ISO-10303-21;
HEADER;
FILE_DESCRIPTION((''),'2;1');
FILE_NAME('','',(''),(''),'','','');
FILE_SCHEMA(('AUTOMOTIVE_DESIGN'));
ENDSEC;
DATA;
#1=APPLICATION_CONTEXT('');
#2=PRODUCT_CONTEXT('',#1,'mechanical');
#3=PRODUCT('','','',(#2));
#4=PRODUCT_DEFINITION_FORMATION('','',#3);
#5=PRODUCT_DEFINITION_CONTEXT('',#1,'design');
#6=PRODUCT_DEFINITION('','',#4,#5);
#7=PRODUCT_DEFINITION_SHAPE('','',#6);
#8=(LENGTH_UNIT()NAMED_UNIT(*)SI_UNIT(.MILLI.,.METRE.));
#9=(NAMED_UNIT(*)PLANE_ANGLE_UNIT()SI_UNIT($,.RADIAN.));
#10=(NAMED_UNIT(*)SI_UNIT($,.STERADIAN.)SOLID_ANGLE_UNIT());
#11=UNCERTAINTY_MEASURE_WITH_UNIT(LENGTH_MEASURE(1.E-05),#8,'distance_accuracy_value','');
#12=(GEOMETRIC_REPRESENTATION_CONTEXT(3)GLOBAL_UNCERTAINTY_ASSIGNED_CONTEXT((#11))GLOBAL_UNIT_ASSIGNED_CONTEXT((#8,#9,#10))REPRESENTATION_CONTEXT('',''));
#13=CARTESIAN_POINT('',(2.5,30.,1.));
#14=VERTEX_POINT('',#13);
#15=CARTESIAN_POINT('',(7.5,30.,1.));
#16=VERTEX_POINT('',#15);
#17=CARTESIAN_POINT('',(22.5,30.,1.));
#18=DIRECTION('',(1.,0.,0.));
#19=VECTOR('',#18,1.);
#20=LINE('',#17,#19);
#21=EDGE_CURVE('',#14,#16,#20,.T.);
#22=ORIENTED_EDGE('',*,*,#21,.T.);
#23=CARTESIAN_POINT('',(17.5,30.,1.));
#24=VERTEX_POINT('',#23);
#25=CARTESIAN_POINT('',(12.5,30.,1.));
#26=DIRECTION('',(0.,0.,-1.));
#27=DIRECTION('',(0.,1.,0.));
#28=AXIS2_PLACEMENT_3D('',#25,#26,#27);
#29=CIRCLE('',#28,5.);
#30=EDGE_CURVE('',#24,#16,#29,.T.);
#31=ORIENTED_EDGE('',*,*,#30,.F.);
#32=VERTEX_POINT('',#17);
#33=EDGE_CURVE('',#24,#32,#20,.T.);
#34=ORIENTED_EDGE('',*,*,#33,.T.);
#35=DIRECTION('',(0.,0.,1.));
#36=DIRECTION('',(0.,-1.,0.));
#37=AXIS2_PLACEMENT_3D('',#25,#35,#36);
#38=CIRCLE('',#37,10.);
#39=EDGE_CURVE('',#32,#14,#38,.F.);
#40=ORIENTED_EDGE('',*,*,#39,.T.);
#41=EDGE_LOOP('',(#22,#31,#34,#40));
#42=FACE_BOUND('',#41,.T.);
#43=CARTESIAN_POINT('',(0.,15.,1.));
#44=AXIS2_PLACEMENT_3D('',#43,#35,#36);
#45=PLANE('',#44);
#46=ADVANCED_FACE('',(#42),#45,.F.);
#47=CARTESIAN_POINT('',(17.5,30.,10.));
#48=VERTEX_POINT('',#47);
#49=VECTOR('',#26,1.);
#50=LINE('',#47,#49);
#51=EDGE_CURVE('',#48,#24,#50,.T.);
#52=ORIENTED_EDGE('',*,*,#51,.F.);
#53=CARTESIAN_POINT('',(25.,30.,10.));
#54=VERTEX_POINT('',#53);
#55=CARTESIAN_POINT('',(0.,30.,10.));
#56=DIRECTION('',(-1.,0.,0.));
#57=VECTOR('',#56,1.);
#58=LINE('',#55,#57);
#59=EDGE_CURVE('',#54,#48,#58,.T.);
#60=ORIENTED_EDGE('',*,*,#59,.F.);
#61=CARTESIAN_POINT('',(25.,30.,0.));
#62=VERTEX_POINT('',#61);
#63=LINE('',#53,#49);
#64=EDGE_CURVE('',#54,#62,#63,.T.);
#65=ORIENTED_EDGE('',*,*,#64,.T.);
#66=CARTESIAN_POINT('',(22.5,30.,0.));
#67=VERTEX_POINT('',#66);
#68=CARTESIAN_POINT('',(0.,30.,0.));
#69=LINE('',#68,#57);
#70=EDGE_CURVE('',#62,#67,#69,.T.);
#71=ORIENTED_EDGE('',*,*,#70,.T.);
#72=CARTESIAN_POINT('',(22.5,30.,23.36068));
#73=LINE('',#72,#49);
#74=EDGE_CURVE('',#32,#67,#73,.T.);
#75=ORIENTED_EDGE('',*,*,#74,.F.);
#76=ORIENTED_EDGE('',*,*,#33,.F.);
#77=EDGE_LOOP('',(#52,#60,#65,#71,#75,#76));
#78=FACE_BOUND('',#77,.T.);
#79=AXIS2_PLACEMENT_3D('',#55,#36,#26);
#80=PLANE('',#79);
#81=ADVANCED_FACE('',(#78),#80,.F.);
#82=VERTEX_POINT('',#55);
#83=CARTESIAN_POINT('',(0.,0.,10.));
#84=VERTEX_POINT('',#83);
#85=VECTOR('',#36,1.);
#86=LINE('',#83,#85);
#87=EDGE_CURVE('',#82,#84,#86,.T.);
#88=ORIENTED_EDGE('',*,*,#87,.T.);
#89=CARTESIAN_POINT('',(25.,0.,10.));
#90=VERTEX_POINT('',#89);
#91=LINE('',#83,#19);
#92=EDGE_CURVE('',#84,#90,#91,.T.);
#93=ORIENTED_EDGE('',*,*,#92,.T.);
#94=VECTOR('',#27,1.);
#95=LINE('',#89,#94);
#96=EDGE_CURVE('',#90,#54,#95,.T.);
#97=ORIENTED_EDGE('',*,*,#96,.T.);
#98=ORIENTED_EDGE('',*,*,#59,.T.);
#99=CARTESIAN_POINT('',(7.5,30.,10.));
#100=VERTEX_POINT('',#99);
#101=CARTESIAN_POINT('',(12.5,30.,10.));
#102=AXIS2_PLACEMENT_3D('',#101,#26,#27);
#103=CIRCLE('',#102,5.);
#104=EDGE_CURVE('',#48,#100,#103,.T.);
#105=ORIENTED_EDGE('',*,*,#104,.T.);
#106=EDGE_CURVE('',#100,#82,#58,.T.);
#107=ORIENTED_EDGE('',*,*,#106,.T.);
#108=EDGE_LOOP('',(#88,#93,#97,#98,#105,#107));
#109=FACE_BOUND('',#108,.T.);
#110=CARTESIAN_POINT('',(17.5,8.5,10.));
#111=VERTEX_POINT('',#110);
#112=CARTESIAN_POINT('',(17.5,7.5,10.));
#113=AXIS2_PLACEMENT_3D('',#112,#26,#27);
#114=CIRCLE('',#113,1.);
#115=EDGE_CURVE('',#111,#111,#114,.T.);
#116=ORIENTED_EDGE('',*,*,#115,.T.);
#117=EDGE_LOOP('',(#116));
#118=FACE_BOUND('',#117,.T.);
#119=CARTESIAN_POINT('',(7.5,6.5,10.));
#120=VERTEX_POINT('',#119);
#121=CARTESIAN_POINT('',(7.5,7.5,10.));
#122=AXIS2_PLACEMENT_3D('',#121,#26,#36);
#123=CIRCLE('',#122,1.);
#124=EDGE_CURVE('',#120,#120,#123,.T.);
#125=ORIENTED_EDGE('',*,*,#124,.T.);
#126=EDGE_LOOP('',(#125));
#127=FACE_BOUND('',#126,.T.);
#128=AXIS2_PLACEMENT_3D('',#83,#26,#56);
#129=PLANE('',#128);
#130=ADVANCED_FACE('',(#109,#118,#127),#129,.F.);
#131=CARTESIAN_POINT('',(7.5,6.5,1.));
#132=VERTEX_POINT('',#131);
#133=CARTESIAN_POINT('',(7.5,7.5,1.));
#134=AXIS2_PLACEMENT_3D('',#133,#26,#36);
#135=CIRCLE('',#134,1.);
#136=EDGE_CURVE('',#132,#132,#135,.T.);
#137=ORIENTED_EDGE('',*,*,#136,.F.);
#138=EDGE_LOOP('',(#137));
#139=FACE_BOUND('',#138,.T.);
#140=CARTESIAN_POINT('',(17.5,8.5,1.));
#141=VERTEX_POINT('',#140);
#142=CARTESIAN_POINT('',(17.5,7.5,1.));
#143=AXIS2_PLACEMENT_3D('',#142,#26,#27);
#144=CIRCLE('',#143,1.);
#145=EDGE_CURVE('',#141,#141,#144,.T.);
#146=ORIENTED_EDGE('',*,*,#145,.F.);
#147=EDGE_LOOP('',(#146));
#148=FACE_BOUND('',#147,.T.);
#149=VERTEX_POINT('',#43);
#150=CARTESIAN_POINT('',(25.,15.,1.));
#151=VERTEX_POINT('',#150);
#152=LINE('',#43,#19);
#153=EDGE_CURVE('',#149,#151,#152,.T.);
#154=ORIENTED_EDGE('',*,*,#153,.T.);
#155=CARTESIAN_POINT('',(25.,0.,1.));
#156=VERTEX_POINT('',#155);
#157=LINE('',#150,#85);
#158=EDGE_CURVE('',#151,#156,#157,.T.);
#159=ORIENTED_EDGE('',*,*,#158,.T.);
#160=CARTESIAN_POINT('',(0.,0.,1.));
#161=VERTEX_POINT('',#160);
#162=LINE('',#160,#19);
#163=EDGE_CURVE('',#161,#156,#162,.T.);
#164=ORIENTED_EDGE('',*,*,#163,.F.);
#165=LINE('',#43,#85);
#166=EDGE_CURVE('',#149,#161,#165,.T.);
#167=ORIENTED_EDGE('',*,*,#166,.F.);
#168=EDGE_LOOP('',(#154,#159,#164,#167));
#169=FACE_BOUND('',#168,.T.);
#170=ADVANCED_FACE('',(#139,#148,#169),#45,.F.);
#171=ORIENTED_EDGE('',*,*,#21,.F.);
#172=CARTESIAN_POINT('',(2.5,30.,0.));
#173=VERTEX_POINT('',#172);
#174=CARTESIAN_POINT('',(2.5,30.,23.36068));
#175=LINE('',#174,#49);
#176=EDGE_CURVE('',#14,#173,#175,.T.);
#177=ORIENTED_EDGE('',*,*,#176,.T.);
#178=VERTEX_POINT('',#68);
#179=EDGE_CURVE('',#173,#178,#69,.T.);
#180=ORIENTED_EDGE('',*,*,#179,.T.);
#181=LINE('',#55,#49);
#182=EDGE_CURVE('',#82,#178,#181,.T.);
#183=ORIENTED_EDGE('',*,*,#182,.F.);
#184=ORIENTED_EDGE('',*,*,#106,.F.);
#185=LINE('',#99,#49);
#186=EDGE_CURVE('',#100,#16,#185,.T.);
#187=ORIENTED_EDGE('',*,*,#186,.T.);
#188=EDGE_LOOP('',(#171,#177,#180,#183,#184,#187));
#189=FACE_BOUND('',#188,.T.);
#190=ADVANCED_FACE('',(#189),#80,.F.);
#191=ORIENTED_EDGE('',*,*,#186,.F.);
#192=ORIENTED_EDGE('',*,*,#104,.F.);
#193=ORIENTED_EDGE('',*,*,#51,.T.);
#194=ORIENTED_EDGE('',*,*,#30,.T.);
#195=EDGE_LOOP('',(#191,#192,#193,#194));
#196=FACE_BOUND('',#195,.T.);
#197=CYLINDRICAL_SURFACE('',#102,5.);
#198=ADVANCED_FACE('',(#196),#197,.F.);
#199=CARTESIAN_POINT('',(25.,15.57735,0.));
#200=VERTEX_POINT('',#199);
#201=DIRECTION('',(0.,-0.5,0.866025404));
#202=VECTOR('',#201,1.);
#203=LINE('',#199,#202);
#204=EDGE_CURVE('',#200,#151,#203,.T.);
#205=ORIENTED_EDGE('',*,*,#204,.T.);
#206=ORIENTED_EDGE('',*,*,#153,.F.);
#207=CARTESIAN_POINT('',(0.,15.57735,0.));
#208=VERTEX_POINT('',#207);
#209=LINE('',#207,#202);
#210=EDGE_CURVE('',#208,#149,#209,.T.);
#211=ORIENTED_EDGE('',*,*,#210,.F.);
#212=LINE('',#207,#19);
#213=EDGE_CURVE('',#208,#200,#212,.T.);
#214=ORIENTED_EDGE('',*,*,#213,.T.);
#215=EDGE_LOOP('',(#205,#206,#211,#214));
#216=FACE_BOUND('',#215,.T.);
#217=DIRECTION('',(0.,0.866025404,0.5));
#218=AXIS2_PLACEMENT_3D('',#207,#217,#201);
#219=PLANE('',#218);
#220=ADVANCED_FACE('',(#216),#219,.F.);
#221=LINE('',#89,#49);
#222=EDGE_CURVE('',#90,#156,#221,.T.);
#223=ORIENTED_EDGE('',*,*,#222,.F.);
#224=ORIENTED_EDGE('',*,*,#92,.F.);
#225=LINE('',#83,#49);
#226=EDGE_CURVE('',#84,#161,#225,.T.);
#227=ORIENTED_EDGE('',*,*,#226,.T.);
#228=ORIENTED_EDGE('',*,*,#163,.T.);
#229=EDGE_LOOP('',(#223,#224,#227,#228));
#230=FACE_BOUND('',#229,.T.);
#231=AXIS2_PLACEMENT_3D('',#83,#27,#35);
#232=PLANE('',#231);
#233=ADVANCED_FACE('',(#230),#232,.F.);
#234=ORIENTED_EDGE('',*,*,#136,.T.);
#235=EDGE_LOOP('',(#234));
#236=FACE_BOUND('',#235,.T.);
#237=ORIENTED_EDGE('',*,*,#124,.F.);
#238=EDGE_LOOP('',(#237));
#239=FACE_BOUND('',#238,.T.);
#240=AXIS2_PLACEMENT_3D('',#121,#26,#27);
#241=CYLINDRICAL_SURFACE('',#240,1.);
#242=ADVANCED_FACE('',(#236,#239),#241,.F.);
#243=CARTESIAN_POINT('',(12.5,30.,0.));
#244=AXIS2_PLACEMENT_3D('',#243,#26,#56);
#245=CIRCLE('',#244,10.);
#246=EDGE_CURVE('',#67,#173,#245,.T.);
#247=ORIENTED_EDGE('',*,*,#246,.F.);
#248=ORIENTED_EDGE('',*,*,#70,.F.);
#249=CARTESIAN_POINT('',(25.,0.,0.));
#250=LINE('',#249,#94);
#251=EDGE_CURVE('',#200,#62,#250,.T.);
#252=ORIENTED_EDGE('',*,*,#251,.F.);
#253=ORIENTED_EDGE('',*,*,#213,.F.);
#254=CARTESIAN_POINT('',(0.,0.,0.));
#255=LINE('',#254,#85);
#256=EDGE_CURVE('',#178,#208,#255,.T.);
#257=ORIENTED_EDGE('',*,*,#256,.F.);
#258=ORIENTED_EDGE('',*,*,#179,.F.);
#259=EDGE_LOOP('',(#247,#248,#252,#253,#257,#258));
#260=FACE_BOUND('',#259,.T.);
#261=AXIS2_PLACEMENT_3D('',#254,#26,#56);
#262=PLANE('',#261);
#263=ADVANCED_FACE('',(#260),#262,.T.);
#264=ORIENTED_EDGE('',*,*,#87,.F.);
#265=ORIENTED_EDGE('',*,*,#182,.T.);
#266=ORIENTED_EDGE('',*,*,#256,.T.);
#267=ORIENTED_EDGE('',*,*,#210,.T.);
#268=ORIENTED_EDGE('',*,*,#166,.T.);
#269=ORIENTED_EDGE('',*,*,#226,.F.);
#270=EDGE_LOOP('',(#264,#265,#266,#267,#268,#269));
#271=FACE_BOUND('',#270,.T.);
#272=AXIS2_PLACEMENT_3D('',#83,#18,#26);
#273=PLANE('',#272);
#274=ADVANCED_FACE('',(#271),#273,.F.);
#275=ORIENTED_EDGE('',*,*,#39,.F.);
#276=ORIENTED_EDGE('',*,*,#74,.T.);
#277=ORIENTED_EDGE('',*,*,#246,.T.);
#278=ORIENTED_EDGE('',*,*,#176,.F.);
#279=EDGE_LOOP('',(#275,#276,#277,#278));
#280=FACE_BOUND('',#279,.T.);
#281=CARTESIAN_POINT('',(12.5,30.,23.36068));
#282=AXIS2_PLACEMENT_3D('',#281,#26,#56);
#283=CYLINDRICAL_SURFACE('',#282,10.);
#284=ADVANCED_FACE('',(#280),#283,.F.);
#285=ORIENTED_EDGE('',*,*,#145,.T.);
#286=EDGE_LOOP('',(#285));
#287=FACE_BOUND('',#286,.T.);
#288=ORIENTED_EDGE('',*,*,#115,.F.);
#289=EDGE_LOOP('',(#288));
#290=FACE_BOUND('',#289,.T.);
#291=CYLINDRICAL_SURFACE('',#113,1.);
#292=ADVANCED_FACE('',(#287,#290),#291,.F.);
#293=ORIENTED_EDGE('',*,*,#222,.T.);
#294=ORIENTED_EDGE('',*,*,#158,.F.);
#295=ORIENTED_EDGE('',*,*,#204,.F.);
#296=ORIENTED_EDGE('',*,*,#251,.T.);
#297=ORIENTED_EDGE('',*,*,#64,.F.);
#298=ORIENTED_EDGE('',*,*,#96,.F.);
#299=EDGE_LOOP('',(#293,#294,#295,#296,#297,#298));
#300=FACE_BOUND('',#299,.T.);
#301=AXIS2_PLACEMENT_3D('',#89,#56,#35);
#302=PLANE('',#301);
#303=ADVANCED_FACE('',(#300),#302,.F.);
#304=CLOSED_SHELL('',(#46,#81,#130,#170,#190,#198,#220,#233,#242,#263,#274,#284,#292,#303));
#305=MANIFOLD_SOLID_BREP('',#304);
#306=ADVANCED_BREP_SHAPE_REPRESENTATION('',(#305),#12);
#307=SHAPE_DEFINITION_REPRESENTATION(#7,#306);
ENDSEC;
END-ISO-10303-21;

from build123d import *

# Parameters (mm, degrees)
SKETCH1_W           = 25
SKETCH1_H           = 30
BOSS_EXTRUDE1_DEPTH = 10
CUT_EXTRUDE1_DEPTH  = 41.311288741
CUT_EXTRUDE2_DEPTH  = 1
CUT_EXTRUDE3_DEPTH  = 41.074929819
SKETCH5_R           = 1
CUT_EXTRUDE5_DEPTH  = 41.074929819


with BuildPart() as part:
    # Sketch1 → Boss-Extrude1 (new body)
    with BuildSketch(Plane.XY):
        with Locations((12.5, 15)):
            Rectangle(SKETCH1_W, SKETCH1_H)
    extrude(amount=BOSS_EXTRUDE1_DEPTH)

    # Sketch2 → Cut-Extrude1 (cut, through all)
    with BuildSketch(Plane(origin=(25, 0, 0), x_dir=(0, 0, -1), z_dir=(1, 0, 0))):
        Polygon((0, 15.577350269), (-1, 15), (-1, 0), (0, 0), align=None)
    extrude(amount=-CUT_EXTRUDE1_DEPTH, mode=Mode.SUBTRACT)

    # Sketch3 → Cut-Extrude2 (cut)
    with BuildSketch(Plane(origin=(0, 0, 0), x_dir=(-1, 0, 0), z_dir=(0, 0, -1))):
        with BuildLine():
            Line((-22.5, 30), (-2.5, 30))
            ThreePointArc((-2.5, 30), (-12.5, 20), (-22.5, 30))
        make_face()
    extrude(amount=-CUT_EXTRUDE2_DEPTH, mode=Mode.SUBTRACT)

    # Sketch4 → Cut-Extrude3 (cut, through all)
    with BuildSketch(Plane(origin=(0, 0, 1), x_dir=(-1, 0, 0), z_dir=(0, 0, -1))):
        with BuildLine():
            Line((-7.5, 30), (-17.5, 30))
            ThreePointArc((-17.5, 30), (-12.5, 25), (-7.5, 30))
        make_face()
    extrude(amount=-CUT_EXTRUDE3_DEPTH, mode=Mode.SUBTRACT)

    # Sketch5 → Cut-Extrude5 (cut, through all)
    with BuildSketch(Plane(origin=(0, 0, 1), x_dir=(-1, 0, 0), z_dir=(0, 0, -1))):
        with Locations(Location((-17.5, 7.5, 0), (0, 0, 90))):
            Circle(SKETCH5_R)
        with Locations(Location((-7.5, 7.5, 0), (0, 0, 270))):
            Circle(SKETCH5_R)
    extrude(amount=-CUT_EXTRUDE5_DEPTH, mode=Mode.SUBTRACT)


solid = part.part
